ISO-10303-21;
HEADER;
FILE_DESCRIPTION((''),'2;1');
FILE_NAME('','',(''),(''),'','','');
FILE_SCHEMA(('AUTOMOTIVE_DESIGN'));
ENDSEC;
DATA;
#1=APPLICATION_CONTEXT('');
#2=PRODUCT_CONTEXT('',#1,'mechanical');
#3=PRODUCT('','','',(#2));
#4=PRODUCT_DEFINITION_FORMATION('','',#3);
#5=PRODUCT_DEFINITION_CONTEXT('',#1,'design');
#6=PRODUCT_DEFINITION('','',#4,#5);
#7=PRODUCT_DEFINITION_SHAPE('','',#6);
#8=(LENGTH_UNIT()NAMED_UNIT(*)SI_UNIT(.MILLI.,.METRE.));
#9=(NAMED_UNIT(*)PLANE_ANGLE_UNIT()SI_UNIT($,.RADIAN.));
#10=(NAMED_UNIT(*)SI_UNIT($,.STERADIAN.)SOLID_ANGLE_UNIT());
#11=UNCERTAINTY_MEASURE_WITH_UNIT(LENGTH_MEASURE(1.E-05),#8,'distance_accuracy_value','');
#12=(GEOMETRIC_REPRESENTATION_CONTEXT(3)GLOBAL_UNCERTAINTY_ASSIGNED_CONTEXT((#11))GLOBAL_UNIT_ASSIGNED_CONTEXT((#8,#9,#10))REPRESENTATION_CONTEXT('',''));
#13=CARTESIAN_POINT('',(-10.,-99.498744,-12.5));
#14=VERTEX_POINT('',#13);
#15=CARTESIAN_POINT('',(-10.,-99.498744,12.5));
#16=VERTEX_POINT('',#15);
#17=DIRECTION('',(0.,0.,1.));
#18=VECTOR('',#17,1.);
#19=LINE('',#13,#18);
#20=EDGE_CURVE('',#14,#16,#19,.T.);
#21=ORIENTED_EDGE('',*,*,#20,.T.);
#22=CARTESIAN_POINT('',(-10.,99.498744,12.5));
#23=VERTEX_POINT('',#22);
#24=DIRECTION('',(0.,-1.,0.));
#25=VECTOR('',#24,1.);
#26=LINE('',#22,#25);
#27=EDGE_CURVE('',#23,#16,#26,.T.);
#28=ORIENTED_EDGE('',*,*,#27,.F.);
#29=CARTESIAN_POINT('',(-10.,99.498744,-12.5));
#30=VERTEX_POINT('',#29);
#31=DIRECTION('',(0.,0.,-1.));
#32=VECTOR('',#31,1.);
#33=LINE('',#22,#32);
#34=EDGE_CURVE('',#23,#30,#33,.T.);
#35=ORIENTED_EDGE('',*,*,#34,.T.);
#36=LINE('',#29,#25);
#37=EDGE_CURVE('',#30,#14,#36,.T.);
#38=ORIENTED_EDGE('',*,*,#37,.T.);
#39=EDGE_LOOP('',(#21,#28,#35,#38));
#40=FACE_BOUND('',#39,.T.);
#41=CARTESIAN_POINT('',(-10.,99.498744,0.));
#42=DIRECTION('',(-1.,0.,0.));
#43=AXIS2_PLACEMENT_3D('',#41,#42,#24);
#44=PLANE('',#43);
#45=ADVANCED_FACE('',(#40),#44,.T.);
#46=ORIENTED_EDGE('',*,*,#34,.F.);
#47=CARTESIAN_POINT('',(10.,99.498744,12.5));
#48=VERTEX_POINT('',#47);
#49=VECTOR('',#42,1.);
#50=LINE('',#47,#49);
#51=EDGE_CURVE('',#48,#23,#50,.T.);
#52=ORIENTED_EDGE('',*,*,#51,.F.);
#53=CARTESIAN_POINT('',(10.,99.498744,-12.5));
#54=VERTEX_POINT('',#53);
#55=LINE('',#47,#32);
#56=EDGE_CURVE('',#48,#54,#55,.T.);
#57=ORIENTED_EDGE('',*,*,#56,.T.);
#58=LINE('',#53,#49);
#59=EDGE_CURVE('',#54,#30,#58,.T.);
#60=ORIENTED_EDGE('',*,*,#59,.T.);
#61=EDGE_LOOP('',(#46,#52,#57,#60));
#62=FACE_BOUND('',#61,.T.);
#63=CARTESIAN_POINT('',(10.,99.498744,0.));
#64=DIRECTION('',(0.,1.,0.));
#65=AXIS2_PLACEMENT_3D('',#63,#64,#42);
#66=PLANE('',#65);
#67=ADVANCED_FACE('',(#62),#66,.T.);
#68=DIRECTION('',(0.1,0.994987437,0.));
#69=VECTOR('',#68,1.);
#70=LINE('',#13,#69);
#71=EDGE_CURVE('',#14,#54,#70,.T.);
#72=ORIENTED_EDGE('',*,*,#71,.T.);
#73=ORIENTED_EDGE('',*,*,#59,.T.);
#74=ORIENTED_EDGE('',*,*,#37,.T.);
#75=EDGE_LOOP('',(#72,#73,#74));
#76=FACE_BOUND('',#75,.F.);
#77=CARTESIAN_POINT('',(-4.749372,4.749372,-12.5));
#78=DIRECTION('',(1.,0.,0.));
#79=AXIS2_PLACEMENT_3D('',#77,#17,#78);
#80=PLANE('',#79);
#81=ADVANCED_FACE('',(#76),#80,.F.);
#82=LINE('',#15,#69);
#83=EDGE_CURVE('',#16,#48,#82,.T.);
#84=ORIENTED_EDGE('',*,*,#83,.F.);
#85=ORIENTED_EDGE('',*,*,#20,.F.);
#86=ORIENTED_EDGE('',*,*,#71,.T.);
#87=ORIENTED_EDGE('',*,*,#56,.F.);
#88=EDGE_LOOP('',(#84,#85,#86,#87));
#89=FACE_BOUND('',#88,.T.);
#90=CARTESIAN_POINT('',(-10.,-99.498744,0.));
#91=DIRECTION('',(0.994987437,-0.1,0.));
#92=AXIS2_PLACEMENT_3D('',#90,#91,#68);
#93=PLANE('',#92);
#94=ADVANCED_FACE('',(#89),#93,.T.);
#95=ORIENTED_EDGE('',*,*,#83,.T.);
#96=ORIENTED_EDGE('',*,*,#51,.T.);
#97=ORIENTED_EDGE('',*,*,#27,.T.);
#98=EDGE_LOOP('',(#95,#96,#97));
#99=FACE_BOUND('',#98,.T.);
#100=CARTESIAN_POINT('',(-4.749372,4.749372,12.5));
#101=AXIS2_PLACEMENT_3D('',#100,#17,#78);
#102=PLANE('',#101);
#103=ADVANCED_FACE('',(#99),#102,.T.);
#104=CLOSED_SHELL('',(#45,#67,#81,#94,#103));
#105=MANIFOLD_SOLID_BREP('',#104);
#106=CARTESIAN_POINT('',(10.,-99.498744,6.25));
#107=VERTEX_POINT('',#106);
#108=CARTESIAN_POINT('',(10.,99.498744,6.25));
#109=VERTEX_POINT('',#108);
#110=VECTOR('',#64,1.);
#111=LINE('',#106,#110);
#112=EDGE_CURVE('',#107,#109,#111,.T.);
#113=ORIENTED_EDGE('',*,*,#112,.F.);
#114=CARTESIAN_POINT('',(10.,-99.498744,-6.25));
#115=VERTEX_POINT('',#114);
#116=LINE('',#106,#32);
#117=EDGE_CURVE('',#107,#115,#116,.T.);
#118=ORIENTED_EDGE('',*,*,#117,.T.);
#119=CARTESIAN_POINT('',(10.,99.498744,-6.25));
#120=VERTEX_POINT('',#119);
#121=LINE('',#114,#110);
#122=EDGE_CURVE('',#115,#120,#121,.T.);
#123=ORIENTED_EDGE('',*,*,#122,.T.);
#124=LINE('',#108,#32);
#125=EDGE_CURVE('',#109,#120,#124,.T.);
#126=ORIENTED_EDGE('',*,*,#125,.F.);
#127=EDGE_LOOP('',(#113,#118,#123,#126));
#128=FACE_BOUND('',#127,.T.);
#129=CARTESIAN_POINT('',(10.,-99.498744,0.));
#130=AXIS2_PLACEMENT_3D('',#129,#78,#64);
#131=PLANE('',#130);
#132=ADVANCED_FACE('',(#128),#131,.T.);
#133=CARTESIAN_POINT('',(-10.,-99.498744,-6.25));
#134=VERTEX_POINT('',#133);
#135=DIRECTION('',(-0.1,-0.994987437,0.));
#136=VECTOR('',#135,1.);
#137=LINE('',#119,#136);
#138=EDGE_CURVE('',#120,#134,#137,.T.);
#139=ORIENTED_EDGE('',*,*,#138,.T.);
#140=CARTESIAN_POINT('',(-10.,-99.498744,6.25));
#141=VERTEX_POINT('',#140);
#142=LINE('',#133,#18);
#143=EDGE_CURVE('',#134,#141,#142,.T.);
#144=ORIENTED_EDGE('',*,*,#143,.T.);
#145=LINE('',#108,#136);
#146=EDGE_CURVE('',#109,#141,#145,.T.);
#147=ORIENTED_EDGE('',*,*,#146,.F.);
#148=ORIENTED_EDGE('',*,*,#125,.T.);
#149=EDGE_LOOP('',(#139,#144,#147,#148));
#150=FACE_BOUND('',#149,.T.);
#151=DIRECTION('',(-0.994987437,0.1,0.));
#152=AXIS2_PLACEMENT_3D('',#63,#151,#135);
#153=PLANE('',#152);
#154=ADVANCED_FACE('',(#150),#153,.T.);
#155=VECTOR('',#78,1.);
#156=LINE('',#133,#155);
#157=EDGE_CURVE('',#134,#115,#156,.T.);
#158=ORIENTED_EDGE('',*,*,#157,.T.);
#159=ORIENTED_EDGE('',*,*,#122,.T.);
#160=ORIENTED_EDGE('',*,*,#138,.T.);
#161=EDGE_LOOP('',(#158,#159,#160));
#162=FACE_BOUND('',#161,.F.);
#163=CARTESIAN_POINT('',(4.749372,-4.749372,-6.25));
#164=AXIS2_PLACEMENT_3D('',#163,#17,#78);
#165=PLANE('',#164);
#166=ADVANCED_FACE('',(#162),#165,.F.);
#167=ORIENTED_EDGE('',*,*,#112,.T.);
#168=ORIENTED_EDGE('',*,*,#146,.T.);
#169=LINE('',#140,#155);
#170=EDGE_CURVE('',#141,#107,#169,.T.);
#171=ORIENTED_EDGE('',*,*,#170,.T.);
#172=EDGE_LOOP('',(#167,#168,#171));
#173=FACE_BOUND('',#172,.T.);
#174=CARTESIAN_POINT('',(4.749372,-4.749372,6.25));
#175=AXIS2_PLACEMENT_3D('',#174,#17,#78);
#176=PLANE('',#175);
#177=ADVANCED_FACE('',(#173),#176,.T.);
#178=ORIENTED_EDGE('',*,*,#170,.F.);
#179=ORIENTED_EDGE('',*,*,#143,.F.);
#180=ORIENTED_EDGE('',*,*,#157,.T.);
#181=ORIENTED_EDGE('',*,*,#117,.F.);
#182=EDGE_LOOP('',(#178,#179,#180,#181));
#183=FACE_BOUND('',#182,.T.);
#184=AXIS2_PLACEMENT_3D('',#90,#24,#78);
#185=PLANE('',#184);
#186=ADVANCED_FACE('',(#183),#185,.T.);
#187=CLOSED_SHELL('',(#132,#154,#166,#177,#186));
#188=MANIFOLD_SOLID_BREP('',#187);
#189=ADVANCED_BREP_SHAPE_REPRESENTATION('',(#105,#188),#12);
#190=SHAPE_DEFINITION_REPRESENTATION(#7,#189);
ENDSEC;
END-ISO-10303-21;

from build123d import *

# Parameters (mm, degrees)
F1_DEPTH = 12.5
F2_DEPTH = 6.25


with BuildPart() as f1:
    # F0 (on Top) → F1 (new body, symmetric)
    with BuildSketch(Plane.XY):
        Polygon((-10, 99.498744), (-10, -99.498744), (10, 99.498744), align=None)
    extrude(amount=F1_DEPTH, both=True)


with BuildPart() as f2:
    # F0 (on Top) → F2 (new body, symmetric)
    with BuildSketch(Plane.XY):
        Polygon((10, 99.498744), (-10, -99.498744), (10, -99.498744), align=None)
    extrude(amount=F2_DEPTH, both=True)


solid = Compound([f1.part, f2.part])
